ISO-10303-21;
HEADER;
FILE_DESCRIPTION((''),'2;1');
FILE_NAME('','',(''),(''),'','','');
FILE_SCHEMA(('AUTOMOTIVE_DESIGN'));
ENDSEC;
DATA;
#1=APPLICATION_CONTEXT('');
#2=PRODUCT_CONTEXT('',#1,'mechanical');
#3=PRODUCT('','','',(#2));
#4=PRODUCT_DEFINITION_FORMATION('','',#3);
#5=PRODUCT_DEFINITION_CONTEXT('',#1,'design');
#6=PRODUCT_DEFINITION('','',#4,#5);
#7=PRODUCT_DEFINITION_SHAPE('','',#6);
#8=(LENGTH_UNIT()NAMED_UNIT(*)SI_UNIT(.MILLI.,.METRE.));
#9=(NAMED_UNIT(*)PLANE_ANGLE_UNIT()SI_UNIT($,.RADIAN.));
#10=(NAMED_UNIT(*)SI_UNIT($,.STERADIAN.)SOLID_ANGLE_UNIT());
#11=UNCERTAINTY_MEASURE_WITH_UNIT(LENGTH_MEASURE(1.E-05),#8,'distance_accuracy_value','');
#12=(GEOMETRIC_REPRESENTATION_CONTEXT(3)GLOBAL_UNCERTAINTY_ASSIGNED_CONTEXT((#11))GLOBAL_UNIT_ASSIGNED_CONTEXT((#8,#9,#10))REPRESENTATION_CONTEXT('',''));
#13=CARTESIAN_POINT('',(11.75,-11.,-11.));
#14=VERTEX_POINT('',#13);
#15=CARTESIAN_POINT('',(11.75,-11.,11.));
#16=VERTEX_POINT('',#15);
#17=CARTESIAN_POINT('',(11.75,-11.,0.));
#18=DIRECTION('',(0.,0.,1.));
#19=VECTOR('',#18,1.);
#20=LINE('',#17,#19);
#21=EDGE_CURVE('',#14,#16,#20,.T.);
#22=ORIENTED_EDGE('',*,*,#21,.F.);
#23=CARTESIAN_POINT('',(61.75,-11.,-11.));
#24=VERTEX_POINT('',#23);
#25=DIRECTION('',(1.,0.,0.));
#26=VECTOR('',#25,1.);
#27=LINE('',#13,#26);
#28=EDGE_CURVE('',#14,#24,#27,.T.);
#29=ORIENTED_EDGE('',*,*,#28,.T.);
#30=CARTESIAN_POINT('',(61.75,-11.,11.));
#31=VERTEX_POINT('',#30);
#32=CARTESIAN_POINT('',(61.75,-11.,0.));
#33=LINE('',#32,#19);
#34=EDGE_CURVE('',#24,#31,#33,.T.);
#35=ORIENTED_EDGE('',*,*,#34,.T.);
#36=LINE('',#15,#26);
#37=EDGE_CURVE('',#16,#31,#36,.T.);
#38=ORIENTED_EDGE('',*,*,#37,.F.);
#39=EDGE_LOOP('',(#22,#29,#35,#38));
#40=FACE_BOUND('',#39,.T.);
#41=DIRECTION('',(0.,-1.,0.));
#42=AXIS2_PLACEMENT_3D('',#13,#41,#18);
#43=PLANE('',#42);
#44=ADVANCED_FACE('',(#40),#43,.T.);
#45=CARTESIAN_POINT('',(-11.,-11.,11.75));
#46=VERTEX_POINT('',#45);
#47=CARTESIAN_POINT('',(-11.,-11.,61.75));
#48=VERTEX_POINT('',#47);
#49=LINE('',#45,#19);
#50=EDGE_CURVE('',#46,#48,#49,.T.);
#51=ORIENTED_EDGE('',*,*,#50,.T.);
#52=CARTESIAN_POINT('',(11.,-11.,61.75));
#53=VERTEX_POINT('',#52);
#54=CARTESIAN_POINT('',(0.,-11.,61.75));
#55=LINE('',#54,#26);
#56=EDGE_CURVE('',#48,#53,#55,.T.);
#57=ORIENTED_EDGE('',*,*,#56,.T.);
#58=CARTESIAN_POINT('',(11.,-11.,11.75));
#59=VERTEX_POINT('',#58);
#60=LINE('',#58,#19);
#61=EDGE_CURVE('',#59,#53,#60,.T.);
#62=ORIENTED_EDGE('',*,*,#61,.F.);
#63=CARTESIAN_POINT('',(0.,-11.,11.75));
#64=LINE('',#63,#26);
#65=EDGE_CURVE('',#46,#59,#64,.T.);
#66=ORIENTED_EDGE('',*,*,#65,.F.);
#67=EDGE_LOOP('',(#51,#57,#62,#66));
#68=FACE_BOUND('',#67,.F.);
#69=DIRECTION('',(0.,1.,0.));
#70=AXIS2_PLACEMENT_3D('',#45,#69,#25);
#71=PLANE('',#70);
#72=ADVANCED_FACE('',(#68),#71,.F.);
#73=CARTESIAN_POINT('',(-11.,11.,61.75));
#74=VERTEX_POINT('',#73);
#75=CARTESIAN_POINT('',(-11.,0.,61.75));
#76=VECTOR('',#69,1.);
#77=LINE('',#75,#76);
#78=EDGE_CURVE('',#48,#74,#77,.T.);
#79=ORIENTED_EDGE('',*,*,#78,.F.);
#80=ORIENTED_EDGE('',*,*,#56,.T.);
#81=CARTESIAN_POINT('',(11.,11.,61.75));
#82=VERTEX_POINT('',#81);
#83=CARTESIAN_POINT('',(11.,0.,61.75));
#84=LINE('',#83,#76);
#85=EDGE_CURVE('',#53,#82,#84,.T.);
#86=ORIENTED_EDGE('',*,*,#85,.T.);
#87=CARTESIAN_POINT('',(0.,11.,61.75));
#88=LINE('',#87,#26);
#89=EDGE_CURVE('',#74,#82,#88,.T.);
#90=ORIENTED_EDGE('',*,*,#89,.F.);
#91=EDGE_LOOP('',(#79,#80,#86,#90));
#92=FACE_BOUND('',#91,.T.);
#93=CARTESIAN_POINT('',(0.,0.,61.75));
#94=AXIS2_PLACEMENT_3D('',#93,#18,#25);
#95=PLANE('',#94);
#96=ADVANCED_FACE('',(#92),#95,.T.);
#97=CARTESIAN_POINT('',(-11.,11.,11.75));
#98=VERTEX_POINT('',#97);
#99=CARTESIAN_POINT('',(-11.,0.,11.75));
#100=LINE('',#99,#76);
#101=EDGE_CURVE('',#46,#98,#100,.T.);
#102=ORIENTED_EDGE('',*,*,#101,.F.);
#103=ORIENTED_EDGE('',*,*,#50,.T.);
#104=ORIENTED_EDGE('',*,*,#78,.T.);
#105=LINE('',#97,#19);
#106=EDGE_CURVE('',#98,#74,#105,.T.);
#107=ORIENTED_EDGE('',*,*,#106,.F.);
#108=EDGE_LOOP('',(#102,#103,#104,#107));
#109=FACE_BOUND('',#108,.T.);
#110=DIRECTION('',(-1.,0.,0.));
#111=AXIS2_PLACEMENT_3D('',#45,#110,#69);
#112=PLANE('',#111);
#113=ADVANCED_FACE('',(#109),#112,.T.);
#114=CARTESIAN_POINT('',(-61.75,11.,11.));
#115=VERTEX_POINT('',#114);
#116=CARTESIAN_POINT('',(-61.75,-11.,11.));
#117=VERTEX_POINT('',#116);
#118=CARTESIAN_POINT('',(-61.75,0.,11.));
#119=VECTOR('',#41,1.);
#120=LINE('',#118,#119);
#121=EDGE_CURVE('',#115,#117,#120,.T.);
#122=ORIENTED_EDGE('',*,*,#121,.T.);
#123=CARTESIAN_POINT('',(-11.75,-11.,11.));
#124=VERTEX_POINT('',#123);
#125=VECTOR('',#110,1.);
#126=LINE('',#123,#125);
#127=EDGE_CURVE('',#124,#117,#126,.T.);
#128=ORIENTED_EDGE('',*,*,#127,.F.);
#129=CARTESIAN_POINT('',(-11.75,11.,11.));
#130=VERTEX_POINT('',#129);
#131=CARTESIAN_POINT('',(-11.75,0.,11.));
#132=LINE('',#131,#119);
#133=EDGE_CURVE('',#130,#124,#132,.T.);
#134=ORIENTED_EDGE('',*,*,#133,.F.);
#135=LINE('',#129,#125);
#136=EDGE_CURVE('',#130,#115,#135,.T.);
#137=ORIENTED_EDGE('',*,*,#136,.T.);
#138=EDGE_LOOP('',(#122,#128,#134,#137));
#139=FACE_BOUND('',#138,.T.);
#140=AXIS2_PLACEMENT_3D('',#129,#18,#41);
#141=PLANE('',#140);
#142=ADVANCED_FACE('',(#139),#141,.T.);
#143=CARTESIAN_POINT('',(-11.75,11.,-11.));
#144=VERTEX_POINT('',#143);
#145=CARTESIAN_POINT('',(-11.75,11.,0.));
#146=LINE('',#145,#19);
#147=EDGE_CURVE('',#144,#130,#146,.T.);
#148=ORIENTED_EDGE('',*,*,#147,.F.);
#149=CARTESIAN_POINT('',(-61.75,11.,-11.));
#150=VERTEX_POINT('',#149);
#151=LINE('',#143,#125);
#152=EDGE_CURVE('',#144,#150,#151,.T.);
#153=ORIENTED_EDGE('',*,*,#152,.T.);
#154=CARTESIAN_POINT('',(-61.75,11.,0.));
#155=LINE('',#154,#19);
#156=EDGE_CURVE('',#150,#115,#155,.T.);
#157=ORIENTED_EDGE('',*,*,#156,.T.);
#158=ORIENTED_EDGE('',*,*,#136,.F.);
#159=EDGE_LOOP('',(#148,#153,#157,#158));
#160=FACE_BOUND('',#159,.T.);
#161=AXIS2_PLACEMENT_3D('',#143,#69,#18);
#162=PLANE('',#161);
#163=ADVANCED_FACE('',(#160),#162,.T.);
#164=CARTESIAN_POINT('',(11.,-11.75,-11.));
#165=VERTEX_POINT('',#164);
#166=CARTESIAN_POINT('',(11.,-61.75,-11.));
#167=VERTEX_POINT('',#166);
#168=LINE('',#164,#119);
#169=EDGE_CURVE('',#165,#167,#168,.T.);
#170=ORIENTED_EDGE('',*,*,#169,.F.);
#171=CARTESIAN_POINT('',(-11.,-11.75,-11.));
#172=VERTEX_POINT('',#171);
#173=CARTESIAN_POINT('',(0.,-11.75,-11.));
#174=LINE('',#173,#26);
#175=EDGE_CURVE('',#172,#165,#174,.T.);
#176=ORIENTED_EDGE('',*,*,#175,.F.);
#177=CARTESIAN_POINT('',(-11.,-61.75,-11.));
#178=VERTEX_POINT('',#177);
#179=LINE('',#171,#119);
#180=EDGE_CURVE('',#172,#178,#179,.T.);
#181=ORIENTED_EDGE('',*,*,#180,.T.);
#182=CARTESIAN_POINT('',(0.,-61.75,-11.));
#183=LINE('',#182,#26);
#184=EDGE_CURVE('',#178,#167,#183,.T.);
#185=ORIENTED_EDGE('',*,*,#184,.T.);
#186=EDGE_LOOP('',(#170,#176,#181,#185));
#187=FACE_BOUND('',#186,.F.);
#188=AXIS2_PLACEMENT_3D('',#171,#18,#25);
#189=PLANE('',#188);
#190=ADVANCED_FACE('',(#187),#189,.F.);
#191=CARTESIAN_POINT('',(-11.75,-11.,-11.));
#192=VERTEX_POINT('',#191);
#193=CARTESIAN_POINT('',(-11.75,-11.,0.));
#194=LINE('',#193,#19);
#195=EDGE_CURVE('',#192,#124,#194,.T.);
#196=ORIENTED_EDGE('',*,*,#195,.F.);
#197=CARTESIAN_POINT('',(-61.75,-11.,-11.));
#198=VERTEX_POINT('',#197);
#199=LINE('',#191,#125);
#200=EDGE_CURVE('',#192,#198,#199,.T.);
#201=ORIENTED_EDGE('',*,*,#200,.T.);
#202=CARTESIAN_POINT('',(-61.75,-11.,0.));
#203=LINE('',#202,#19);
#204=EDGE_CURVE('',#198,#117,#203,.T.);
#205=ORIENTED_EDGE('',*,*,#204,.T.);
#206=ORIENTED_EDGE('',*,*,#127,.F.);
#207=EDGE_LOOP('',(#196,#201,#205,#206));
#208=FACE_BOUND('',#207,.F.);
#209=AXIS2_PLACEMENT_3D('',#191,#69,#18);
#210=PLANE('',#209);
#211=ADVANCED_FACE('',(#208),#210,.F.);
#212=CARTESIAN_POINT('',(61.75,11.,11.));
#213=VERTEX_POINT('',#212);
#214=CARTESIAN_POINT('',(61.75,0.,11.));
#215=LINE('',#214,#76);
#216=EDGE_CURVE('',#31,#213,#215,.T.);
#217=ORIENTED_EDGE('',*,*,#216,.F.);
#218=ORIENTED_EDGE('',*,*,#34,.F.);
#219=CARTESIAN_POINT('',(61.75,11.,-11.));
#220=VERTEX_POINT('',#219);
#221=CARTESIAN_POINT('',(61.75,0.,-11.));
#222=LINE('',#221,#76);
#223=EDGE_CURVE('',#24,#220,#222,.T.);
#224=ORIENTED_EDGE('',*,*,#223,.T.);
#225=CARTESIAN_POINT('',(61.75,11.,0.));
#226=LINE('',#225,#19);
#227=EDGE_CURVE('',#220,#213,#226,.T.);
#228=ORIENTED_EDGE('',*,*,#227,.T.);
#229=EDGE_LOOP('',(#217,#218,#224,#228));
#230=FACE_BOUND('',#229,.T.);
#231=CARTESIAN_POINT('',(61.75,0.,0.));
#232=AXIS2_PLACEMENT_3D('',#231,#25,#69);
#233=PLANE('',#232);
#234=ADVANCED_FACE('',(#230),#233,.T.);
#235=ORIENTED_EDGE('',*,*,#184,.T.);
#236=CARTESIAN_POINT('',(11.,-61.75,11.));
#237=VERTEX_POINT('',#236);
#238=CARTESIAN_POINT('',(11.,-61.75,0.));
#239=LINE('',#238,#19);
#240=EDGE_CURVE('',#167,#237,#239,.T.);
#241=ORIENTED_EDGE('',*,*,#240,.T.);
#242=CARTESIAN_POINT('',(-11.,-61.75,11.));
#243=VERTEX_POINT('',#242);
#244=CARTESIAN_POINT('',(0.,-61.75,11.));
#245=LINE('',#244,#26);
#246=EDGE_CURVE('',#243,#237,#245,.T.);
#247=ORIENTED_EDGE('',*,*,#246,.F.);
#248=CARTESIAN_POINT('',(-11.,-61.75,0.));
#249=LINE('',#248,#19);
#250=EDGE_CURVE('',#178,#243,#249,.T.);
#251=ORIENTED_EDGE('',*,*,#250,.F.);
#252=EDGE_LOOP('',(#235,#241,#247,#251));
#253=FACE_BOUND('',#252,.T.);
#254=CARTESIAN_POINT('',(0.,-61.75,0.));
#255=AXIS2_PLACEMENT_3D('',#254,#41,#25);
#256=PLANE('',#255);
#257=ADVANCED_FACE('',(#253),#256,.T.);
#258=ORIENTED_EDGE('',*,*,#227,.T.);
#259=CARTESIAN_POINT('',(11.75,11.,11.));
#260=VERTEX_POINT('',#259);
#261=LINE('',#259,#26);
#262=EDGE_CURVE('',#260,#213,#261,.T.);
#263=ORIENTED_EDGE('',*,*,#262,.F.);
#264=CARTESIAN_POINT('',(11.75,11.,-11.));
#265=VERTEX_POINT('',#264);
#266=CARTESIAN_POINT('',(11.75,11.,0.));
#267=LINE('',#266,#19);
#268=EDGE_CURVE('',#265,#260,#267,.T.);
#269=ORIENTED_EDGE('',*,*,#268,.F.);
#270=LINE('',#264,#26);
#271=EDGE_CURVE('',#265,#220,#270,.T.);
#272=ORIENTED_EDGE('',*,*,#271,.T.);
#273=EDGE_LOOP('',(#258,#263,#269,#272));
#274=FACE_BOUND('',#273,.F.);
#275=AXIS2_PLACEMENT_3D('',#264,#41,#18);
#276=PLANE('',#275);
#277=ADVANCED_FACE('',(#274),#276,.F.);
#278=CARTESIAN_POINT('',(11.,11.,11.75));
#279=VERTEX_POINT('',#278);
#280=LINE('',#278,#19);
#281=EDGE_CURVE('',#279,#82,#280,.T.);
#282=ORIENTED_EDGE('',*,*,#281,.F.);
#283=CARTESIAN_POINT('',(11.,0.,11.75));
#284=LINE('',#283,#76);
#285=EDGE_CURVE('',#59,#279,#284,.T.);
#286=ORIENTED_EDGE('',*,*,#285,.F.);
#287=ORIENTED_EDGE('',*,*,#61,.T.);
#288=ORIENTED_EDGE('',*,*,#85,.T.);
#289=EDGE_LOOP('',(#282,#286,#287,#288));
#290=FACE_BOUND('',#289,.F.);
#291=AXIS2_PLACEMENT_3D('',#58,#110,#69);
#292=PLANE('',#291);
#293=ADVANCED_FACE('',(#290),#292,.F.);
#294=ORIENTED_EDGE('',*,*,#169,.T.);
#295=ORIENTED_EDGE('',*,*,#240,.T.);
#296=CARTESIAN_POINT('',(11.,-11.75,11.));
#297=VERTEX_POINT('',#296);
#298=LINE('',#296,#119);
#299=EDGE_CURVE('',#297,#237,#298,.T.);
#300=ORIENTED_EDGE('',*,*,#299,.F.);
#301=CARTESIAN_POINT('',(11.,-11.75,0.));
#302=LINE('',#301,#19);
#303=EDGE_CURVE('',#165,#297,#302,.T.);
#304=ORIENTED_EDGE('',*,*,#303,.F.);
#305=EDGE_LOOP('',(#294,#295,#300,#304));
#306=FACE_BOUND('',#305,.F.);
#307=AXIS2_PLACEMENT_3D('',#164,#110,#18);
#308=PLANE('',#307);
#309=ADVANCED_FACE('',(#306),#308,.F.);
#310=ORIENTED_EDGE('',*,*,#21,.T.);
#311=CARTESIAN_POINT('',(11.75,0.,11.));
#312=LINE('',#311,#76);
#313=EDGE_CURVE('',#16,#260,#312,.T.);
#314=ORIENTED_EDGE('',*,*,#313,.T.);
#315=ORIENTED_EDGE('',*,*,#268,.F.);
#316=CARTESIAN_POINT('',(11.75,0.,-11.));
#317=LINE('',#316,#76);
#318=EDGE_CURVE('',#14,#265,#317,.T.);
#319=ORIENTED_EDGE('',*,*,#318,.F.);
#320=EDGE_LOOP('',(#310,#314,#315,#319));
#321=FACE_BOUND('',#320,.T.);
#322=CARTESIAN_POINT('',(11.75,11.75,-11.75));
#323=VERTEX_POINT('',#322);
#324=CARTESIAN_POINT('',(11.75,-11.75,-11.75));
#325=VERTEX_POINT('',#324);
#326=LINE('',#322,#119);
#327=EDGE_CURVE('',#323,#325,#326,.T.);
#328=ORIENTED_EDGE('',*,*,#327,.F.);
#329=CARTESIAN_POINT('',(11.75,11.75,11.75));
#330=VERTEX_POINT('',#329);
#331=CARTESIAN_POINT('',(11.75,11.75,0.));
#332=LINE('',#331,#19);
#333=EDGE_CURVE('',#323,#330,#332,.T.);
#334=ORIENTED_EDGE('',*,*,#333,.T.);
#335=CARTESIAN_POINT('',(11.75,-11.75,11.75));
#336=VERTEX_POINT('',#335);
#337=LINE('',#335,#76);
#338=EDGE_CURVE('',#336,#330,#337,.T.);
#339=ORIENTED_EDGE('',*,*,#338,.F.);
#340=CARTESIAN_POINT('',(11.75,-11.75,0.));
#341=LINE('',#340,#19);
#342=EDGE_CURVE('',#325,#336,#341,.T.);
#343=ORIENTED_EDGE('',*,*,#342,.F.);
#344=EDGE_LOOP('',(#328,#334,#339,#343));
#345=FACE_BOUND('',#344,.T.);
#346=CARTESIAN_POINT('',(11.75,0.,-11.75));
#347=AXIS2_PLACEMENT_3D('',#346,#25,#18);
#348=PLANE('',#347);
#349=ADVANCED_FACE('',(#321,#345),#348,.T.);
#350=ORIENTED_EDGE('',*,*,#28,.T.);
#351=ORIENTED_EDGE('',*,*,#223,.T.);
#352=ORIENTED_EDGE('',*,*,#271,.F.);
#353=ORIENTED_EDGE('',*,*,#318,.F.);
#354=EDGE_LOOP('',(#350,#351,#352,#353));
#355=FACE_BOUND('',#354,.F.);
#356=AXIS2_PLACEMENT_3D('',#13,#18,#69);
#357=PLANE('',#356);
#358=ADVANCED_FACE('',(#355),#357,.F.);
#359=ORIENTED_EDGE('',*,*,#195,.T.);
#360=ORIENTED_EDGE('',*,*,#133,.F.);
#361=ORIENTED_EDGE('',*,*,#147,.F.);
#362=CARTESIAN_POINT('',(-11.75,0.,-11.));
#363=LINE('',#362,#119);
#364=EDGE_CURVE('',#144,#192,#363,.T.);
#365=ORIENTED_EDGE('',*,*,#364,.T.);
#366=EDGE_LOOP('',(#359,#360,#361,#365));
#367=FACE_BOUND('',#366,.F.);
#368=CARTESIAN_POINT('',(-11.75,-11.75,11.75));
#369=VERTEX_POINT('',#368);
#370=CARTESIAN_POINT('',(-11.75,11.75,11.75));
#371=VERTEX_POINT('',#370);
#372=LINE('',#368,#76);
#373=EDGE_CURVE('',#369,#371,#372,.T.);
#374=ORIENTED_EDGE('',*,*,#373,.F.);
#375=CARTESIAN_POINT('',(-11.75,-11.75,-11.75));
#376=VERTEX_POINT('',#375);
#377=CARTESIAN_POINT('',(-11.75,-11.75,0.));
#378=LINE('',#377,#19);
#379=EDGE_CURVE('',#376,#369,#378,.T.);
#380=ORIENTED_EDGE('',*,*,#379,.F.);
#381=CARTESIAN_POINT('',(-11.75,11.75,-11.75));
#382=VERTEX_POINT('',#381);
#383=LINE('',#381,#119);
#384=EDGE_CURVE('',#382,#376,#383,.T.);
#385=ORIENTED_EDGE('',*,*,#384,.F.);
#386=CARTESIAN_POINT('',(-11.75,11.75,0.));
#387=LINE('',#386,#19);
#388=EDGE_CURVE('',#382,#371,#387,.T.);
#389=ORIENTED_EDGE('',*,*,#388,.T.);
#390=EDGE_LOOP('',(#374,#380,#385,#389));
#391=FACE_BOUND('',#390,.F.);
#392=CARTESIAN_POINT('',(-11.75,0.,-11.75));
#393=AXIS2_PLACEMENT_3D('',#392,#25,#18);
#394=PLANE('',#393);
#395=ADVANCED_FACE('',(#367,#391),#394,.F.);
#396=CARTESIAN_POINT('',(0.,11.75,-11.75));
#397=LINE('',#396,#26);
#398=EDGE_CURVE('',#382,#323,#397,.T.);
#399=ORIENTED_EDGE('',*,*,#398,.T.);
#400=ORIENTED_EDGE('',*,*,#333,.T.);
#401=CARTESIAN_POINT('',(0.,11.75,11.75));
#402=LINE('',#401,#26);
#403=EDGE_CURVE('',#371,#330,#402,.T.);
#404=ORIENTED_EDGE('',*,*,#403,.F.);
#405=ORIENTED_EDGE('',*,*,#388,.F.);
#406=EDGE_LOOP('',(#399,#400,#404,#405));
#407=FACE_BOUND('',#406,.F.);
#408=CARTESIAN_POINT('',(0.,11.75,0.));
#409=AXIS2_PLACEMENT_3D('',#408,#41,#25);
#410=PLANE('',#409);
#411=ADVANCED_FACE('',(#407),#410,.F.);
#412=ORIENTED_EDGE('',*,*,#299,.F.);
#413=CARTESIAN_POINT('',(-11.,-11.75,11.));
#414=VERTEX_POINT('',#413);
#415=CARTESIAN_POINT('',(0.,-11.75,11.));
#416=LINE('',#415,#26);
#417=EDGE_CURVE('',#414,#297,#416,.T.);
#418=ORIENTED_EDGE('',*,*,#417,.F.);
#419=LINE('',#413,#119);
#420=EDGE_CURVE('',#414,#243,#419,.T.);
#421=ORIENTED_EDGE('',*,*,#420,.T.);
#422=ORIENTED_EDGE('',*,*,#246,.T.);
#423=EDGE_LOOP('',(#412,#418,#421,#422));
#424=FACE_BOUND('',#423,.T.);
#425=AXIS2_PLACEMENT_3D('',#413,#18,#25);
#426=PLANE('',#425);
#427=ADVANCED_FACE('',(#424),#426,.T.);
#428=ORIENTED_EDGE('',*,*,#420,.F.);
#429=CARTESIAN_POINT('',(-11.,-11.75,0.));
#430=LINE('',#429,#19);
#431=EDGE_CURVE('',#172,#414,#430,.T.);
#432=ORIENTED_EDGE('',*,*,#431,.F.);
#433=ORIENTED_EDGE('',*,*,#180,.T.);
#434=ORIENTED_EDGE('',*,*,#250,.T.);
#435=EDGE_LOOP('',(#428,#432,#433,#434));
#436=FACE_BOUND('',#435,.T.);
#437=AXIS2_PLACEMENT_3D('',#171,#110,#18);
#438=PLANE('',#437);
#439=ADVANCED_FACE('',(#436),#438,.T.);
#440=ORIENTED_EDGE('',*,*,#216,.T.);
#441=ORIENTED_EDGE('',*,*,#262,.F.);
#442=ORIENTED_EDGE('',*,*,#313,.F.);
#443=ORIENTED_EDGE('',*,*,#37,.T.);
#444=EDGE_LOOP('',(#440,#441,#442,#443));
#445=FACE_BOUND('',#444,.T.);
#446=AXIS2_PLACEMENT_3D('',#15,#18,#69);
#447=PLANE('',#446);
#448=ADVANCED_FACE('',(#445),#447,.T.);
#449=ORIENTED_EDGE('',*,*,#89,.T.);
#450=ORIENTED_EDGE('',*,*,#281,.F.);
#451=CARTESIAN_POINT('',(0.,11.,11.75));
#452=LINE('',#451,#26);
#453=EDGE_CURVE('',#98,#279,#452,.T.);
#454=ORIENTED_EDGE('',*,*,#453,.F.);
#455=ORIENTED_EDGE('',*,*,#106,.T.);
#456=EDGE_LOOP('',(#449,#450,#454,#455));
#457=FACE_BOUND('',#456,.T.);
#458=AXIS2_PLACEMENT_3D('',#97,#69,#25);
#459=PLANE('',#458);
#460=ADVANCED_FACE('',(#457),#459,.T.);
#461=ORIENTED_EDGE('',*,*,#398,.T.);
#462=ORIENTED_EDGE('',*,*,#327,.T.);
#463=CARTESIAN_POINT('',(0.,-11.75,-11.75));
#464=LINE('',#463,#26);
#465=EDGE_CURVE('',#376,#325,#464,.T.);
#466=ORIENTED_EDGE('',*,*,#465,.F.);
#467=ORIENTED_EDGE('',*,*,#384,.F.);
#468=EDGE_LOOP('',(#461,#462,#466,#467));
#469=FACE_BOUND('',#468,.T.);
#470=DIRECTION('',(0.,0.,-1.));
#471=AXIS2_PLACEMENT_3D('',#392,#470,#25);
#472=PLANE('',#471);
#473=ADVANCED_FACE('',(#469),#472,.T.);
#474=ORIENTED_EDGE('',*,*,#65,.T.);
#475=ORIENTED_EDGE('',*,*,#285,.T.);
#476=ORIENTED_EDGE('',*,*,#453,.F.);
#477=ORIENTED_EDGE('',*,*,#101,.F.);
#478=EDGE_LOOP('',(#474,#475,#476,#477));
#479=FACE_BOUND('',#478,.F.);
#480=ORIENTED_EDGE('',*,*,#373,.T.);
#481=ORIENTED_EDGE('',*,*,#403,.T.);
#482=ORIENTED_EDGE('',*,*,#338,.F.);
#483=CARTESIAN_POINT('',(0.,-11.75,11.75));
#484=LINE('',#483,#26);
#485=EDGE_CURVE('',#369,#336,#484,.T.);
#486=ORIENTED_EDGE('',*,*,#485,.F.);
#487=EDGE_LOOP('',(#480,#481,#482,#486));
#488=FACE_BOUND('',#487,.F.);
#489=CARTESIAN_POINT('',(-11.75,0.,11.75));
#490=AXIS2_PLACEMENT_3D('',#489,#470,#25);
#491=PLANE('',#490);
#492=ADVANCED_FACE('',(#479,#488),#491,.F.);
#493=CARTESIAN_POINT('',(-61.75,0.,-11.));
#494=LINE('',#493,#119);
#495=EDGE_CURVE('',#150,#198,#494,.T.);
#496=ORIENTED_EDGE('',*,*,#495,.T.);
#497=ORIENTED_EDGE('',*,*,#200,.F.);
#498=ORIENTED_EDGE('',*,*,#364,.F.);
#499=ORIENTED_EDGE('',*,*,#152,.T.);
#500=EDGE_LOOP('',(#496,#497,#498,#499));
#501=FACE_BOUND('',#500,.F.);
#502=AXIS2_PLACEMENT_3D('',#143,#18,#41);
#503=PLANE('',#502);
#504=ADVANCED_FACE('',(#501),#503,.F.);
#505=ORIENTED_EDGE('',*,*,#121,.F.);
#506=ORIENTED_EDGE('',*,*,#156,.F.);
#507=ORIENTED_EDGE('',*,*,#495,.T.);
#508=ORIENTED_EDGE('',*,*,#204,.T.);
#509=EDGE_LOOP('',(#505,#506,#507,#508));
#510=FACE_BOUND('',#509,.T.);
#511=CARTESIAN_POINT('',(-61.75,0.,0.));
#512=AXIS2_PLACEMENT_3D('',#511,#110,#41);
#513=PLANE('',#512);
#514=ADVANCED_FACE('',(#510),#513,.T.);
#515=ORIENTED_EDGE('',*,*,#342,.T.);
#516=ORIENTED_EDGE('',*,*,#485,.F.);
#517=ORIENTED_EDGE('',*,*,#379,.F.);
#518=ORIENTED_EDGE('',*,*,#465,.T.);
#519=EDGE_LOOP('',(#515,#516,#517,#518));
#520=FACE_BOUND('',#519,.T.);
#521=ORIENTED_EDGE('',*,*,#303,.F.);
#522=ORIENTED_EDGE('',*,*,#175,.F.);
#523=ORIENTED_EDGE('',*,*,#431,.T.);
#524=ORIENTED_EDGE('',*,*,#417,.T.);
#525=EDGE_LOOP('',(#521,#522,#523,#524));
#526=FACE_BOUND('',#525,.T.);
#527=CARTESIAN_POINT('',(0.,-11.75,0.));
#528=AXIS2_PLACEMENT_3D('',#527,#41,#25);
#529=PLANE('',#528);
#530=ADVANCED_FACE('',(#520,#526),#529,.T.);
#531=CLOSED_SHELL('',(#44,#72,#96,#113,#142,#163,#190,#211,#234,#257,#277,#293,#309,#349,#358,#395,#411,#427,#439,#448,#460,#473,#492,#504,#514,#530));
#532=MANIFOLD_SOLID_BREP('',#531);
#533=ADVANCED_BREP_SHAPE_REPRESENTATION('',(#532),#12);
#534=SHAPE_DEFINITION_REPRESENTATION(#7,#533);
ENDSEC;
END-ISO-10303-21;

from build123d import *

# Parameters (mm, degrees)
F0_W     = 23.5
F0_H     = 23.5
F1_DEPTH = 11.75
F2_W     = 22
F2_H     = 22
F3_DEPTH = 50
F4_W     = 22
F4_H     = 22
F5_DEPTH = 50
F6_W     = 22
F6_H     = 22
F7_DEPTH = 50
F8_W     = 22
F8_H     = 22
F9_DEPTH = 50


with BuildPart() as f1:
    # F0 (on Front) → F1 (new body, symmetric)
    with BuildSketch(Plane.XZ):
        Rectangle(F0_W, F0_H)
    extrude(amount=F1_DEPTH, both=True)

    # F2 (on face) → F3 (join)
    with BuildSketch(Plane(origin=(-11.75, 0, 0), x_dir=(0, -1, 0), z_dir=(-1, 0, 0))):
        Rectangle(F2_W, F2_H)
    extrude(amount=F3_DEPTH)

    # F4 (on face) → F5 (join)
    with BuildSketch(Plane.XY.offset(11.75)):
        Rectangle(F4_W, F4_H)
    extrude(amount=F5_DEPTH)

    # F6 (on face) → F7 (join)
    with BuildSketch(Plane.XZ.offset(11.75)):
        Rectangle(F6_W, F6_H)
    extrude(amount=F7_DEPTH)

    # F8 (on face) → F9 (join)
    with BuildSketch(Plane.YZ.offset(11.75)):
        Rectangle(F8_W, F8_H)
    extrude(amount=F9_DEPTH)


solid = f1.part
